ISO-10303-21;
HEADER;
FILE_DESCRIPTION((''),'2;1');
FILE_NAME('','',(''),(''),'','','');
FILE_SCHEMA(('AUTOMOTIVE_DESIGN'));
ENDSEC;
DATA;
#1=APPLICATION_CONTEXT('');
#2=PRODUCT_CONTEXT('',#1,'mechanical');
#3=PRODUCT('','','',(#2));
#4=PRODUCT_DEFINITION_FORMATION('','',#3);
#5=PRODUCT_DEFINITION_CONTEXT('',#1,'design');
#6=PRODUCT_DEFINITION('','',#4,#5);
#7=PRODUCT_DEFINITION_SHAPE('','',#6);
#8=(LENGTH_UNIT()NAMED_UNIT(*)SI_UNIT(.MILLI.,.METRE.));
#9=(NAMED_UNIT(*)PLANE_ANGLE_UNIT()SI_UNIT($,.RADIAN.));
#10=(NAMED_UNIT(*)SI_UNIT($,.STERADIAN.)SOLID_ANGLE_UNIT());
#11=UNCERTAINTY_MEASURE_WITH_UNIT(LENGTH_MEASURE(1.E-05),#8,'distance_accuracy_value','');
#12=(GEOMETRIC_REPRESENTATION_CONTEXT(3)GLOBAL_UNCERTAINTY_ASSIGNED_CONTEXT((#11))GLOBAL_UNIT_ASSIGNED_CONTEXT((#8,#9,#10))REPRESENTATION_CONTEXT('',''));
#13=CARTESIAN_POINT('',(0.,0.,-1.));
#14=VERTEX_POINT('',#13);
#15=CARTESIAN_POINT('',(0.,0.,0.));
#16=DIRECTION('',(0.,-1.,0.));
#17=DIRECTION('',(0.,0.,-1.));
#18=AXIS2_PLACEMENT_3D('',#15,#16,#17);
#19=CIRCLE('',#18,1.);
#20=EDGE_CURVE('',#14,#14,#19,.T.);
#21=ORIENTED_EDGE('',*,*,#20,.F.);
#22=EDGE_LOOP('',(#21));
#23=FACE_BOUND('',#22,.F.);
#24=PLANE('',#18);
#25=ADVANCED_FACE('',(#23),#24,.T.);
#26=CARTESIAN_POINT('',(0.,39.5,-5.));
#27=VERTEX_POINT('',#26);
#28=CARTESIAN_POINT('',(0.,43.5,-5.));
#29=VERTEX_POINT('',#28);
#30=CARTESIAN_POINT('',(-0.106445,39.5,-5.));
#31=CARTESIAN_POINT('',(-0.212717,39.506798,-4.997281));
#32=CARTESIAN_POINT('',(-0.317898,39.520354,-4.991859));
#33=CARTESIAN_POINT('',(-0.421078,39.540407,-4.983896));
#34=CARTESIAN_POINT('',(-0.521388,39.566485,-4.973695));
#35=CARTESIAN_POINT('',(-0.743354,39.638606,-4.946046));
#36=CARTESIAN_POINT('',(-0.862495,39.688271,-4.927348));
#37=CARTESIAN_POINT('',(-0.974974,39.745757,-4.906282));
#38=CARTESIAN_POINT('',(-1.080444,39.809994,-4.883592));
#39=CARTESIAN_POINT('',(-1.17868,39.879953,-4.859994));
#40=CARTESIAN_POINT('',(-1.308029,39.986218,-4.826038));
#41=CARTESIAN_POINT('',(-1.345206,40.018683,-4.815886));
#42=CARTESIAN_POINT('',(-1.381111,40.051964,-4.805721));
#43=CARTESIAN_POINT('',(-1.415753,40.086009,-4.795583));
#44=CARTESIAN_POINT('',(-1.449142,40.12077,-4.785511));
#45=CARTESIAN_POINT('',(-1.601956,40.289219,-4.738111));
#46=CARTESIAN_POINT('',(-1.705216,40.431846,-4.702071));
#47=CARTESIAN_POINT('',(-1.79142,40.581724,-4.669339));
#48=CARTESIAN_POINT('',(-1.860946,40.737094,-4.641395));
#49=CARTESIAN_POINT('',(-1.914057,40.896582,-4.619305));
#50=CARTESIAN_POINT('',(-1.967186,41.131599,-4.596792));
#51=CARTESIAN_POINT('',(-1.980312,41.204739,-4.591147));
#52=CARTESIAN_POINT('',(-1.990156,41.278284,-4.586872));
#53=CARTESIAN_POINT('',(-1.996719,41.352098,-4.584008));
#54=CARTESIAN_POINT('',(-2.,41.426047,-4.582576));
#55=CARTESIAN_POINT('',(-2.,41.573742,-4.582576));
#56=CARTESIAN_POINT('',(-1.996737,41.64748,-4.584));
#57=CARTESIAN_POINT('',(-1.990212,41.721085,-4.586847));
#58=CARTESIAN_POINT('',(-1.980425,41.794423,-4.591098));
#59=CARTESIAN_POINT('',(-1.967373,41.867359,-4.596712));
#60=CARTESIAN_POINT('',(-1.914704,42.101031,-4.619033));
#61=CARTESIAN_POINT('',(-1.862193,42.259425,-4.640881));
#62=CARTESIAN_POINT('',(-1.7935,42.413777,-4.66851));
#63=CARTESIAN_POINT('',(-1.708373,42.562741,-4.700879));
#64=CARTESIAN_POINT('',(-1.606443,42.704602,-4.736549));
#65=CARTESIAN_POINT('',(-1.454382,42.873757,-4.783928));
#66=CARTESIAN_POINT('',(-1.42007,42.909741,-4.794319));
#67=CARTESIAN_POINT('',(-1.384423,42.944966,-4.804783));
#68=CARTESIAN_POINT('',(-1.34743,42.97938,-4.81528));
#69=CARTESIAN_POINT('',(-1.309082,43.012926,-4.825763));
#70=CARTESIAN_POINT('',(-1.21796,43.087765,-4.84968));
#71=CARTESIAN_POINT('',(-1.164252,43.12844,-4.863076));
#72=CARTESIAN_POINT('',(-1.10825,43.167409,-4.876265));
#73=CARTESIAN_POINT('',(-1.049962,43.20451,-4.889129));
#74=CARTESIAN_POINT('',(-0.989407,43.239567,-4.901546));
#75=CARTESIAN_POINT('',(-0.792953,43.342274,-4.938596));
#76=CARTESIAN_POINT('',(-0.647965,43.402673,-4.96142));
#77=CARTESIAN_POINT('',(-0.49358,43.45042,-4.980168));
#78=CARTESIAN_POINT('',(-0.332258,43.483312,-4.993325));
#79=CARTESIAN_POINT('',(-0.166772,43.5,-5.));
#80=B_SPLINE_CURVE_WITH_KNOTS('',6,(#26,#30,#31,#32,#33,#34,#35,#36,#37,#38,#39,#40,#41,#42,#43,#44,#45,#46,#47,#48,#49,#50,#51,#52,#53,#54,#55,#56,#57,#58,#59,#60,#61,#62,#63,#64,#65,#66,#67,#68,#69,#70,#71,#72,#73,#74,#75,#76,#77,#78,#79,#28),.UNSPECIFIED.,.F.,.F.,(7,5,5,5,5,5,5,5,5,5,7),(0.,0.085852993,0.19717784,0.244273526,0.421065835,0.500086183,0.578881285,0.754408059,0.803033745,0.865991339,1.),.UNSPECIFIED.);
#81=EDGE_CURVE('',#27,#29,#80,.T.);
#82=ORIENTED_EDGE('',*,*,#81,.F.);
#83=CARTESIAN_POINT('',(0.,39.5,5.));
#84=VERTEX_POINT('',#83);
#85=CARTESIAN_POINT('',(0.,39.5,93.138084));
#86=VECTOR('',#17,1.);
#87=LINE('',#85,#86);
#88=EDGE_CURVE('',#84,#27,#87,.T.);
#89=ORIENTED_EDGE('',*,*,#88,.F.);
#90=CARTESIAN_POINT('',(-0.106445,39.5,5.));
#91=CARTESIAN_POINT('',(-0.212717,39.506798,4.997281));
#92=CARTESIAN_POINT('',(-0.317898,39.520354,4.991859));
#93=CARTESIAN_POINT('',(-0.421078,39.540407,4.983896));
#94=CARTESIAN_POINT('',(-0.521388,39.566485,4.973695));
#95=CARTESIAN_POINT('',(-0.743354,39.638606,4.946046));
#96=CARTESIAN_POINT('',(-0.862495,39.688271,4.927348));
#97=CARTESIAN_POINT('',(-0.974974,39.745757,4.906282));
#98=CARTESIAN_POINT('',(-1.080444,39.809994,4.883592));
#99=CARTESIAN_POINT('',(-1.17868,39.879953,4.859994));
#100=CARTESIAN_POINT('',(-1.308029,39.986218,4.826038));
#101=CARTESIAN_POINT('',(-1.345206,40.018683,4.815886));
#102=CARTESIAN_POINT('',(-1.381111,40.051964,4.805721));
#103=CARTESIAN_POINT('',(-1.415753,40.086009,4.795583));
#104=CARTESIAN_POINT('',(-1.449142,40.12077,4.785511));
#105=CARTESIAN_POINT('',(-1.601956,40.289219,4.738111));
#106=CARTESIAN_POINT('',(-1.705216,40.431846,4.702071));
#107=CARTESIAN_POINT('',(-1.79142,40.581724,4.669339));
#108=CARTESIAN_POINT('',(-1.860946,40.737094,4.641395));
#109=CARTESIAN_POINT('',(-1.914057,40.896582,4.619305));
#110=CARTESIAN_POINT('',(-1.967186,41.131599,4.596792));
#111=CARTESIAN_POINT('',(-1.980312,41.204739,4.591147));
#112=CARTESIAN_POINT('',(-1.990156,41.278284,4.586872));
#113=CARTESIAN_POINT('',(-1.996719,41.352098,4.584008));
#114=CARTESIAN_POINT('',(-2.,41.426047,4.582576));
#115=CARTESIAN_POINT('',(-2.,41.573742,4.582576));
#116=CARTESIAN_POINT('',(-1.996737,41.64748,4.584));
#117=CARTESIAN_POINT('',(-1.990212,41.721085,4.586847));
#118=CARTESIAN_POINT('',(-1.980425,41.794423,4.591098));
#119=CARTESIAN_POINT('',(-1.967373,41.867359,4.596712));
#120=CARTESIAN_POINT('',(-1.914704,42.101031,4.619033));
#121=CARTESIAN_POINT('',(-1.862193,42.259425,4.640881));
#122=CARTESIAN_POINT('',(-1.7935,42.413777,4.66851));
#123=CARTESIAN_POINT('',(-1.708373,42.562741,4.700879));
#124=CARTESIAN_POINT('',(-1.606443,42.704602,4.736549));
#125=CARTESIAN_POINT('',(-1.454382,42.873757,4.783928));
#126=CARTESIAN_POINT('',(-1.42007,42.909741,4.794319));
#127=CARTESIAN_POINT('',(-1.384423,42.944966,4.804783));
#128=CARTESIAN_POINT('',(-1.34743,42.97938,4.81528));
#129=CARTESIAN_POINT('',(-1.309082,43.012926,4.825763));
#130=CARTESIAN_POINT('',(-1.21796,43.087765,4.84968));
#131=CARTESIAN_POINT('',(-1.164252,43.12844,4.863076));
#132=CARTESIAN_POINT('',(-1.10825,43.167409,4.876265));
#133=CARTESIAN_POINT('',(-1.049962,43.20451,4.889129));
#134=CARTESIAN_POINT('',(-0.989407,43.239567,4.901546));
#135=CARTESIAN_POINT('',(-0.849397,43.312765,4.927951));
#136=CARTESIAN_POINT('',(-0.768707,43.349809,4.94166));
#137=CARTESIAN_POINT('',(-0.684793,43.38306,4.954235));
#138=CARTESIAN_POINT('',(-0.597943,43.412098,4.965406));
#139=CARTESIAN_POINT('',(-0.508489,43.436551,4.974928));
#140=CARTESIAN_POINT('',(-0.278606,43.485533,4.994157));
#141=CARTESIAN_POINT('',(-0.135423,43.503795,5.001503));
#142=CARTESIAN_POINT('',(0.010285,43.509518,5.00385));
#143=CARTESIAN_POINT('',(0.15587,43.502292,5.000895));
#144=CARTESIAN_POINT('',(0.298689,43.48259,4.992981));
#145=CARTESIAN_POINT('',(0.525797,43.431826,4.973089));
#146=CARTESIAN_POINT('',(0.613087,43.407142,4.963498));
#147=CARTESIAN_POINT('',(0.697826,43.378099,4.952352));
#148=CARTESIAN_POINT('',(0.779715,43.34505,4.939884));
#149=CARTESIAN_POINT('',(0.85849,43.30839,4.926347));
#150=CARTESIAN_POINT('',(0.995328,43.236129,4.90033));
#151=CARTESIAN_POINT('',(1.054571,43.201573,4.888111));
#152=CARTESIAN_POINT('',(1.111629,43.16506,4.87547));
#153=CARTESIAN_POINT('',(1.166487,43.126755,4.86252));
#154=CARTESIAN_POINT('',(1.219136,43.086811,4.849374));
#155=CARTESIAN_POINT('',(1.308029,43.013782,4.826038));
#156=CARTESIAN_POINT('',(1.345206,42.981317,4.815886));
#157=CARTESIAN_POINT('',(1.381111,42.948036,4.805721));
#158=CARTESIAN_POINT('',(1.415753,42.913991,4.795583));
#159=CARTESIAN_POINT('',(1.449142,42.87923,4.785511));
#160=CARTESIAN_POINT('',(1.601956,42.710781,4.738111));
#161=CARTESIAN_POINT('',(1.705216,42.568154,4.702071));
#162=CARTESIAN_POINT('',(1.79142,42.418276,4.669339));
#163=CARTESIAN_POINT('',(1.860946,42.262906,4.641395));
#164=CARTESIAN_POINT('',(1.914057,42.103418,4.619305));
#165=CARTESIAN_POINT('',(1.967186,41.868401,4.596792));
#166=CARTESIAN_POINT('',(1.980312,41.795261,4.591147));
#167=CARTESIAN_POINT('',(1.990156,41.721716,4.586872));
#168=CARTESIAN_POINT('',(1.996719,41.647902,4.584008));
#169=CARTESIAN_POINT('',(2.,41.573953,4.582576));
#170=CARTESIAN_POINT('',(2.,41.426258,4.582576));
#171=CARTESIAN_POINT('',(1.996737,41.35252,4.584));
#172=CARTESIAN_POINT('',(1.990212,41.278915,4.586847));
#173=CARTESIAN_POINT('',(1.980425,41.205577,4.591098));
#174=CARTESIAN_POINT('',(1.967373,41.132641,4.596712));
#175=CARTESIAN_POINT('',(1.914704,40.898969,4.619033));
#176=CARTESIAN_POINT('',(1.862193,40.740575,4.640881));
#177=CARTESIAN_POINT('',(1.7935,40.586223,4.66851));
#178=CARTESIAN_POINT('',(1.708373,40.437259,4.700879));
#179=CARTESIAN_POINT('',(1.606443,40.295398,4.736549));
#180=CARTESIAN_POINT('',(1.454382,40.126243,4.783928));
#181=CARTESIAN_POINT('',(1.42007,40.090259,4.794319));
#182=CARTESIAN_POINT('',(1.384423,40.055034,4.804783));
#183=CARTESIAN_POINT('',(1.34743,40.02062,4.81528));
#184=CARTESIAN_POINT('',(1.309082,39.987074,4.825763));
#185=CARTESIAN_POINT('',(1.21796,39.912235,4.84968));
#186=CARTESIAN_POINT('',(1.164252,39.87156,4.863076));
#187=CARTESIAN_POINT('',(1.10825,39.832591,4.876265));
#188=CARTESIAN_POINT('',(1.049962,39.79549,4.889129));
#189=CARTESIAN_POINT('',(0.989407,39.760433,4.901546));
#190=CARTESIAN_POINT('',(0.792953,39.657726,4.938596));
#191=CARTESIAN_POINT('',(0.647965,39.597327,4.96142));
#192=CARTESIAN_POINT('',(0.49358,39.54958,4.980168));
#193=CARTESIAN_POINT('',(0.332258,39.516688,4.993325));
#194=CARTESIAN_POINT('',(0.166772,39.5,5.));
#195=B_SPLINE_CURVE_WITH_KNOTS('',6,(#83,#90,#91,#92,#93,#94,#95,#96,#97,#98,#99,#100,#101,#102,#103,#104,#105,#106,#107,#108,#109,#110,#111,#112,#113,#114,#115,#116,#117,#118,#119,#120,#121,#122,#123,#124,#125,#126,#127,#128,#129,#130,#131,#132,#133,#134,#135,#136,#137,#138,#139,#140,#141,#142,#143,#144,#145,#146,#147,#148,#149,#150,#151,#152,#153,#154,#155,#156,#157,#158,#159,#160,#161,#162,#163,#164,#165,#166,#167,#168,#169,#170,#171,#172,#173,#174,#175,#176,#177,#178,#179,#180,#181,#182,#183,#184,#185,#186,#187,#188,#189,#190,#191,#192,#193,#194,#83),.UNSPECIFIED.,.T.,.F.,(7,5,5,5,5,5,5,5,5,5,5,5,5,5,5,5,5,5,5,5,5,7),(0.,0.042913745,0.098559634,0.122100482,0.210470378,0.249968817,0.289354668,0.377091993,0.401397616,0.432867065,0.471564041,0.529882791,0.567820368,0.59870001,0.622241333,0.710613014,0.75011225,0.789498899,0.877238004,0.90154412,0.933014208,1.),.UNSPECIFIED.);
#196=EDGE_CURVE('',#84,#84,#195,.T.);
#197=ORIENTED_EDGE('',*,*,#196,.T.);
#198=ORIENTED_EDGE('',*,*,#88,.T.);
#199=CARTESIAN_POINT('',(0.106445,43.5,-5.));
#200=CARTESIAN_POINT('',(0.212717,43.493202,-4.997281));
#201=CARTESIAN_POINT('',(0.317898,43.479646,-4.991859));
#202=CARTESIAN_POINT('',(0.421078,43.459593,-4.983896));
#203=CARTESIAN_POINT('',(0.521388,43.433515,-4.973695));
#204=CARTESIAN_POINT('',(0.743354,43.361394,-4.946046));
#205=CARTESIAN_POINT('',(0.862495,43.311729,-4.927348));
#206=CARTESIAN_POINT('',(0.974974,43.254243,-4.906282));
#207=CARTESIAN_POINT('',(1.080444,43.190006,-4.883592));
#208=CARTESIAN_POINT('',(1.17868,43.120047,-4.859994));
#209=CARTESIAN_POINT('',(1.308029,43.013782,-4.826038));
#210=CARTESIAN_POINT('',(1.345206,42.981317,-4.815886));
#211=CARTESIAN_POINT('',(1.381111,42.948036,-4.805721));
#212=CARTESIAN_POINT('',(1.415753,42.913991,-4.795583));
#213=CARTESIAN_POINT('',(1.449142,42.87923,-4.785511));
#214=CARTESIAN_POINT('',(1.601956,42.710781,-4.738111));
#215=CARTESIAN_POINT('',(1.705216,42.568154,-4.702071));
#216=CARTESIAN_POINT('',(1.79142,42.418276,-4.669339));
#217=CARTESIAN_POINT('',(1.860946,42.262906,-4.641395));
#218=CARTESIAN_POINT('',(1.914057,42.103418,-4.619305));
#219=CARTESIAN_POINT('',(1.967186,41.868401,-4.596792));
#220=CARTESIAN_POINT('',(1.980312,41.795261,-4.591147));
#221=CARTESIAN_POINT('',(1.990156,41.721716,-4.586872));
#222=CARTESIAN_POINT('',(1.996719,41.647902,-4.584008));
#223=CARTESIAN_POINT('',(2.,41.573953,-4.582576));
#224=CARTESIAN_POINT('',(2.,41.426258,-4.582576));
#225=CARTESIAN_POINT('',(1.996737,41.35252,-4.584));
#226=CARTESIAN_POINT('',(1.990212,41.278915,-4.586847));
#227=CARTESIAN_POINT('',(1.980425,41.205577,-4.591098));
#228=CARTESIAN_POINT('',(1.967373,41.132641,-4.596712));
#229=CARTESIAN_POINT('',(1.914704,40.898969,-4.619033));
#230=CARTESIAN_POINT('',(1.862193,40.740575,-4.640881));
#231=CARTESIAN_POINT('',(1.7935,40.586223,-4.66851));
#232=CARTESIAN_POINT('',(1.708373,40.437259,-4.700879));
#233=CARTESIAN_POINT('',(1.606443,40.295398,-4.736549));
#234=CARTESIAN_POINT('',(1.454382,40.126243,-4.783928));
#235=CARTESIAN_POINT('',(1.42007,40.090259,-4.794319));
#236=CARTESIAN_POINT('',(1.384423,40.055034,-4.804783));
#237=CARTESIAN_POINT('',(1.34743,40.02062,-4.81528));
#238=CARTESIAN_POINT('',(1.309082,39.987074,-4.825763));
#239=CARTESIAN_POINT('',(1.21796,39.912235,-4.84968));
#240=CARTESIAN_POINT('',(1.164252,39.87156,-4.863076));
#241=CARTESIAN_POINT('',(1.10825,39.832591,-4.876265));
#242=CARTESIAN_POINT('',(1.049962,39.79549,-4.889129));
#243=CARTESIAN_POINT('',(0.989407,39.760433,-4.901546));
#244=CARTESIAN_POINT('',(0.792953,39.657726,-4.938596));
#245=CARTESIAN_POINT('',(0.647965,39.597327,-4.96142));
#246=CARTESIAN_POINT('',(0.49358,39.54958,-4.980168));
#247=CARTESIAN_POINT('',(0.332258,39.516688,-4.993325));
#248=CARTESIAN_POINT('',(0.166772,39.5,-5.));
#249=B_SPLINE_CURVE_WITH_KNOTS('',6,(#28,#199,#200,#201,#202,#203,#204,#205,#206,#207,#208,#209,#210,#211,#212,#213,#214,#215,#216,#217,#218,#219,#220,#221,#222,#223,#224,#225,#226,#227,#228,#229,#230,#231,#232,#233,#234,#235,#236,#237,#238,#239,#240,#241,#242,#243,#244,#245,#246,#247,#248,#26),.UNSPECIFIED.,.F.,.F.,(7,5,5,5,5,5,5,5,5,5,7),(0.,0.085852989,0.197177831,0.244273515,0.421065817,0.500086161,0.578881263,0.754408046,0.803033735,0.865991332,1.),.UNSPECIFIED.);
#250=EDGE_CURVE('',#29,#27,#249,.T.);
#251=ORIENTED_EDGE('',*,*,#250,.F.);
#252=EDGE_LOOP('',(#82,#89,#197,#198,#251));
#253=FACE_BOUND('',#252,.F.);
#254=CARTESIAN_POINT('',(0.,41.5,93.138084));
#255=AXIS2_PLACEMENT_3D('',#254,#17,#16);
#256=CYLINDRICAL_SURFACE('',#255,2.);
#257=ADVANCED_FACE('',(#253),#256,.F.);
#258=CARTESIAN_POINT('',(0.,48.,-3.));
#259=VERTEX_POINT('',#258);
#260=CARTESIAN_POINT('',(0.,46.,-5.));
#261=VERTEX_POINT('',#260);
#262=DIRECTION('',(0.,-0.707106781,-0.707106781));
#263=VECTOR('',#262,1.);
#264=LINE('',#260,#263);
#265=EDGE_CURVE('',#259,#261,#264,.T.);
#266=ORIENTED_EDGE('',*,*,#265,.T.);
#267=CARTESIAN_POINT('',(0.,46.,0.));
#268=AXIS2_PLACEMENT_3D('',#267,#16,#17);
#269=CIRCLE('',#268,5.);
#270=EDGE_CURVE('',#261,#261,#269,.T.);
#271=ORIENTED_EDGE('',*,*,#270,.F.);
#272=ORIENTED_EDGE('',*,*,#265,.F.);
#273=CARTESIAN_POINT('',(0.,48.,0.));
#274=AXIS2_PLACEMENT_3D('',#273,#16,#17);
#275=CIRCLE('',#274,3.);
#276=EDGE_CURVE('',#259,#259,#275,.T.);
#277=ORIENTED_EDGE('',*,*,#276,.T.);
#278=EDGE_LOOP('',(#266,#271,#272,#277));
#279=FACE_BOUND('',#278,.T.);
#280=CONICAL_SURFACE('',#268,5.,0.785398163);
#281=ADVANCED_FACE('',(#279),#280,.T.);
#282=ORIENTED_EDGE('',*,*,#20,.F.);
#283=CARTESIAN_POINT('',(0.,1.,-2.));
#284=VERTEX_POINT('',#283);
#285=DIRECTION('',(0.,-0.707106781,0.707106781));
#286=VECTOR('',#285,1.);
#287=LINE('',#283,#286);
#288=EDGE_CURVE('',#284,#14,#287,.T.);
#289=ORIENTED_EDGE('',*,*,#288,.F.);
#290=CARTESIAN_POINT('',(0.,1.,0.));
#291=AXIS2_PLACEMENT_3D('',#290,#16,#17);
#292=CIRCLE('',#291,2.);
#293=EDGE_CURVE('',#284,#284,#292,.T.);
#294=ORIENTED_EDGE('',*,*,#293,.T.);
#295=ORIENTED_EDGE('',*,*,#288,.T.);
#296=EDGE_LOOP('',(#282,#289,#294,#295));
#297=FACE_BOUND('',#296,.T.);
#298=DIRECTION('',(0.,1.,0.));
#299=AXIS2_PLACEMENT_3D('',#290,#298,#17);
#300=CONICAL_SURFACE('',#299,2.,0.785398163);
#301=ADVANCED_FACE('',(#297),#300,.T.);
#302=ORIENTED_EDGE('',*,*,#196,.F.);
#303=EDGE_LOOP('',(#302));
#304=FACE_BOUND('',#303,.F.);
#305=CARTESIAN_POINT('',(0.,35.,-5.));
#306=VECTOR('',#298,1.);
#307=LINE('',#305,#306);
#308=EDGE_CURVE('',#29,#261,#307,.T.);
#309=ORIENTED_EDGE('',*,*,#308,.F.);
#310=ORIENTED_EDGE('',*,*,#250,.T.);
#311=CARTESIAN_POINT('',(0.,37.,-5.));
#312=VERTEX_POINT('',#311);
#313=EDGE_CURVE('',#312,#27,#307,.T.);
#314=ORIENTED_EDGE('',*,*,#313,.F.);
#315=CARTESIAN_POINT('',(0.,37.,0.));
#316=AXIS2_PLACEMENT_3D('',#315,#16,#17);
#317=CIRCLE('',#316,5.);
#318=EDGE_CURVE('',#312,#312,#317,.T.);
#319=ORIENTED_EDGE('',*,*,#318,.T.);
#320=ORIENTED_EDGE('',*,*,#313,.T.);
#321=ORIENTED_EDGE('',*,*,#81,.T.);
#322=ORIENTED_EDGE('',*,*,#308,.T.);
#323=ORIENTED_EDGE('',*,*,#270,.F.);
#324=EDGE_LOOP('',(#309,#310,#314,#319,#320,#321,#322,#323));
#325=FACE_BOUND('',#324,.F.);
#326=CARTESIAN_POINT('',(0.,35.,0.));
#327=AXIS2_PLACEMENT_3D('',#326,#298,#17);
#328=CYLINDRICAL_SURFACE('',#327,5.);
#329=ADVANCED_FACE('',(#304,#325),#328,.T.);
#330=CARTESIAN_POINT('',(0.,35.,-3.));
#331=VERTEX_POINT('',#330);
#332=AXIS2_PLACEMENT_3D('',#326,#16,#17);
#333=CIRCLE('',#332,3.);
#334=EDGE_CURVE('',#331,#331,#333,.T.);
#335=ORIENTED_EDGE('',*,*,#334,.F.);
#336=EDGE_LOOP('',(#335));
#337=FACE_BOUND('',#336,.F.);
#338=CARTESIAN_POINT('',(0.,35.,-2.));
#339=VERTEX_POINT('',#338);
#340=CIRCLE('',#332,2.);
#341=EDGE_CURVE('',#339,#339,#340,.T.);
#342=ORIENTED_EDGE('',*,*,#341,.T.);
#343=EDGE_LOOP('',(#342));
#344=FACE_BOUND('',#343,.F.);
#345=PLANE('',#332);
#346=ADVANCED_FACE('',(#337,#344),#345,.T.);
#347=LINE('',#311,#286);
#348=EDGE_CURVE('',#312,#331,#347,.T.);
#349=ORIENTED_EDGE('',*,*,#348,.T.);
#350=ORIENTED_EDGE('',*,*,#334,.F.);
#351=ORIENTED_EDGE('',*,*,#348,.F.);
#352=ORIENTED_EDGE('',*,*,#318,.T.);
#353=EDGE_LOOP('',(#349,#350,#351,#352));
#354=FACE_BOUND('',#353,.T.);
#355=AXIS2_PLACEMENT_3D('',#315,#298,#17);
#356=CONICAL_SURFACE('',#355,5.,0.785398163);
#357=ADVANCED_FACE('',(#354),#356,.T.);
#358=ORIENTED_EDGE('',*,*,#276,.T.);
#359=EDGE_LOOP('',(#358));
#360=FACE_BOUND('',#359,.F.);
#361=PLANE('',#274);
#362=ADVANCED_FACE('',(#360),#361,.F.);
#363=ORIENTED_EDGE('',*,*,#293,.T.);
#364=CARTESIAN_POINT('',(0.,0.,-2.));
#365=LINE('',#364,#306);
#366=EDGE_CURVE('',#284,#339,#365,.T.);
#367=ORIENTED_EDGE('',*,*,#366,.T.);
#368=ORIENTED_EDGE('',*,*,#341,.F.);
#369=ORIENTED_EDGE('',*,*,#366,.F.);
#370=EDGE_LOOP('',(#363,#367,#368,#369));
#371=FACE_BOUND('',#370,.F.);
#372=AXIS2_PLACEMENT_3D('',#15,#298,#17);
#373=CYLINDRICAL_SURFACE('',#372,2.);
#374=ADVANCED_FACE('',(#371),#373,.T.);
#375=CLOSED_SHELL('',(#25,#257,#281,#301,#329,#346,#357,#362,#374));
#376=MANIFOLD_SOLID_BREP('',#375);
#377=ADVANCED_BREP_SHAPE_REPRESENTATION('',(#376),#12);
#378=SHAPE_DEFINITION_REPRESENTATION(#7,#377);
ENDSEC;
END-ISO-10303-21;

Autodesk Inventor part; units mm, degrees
ref_plane "YZ Plane" through (0, 0, 0) normal (1, 0, 0) x (0, 1, 0)
ref_plane "XZ Plane" through (0, 0, 0) normal (0, 1, 0) x (-1, 0, 0)
ref_plane "XY Plane" through (0, 0, 0) normal (0, 0, 1) x (1, 0, 0)
sketch "Szkic1" plane through (0, 0, 0) normal (1, 0, 0) x (0, 1, 0)
  line L0 (0, 0) -> (0, -2)
  line L1 (0, -2) -> (35, -2)
  line L2 (35, -2) -> (35, -5)
  line L3 (35, -5) -> (48, -5)
  line L4 (48, -5) -> (48, 0)
  line L5 (48, 0) -> (0, 0)
  dimension "d0" = 35
revolve "Obrót1" add sketch "Szkic1" angle 360 about axis through (0, 48, 0) along (0, -1, 0)
chamfer "Faza1" distance 2 angle 45 2 edges at (0, 48, 5) (0, 35, 5) measured on face at (-0.4023, 39.3333, -4.9838)
chamfer "Faza2" distance 1 angle 45 1 edges at (0, 0, 2) measured on face at (1.2634, 0, -0.0679)
thread "Gwint1" size "M4x0.7" class "6g" standard "ANSI Metric M Profile" full length
sketch "Szkic2" plane through (0, 0, 0) normal (0, 0, 1) x (1, 0, 0)
  point P0 (0, 0)
  point P1 (0, 41.5)
hole "Otwór1" at (0, 41.5, 0) direction (0, 0, -1) diameter 4 end through all both
